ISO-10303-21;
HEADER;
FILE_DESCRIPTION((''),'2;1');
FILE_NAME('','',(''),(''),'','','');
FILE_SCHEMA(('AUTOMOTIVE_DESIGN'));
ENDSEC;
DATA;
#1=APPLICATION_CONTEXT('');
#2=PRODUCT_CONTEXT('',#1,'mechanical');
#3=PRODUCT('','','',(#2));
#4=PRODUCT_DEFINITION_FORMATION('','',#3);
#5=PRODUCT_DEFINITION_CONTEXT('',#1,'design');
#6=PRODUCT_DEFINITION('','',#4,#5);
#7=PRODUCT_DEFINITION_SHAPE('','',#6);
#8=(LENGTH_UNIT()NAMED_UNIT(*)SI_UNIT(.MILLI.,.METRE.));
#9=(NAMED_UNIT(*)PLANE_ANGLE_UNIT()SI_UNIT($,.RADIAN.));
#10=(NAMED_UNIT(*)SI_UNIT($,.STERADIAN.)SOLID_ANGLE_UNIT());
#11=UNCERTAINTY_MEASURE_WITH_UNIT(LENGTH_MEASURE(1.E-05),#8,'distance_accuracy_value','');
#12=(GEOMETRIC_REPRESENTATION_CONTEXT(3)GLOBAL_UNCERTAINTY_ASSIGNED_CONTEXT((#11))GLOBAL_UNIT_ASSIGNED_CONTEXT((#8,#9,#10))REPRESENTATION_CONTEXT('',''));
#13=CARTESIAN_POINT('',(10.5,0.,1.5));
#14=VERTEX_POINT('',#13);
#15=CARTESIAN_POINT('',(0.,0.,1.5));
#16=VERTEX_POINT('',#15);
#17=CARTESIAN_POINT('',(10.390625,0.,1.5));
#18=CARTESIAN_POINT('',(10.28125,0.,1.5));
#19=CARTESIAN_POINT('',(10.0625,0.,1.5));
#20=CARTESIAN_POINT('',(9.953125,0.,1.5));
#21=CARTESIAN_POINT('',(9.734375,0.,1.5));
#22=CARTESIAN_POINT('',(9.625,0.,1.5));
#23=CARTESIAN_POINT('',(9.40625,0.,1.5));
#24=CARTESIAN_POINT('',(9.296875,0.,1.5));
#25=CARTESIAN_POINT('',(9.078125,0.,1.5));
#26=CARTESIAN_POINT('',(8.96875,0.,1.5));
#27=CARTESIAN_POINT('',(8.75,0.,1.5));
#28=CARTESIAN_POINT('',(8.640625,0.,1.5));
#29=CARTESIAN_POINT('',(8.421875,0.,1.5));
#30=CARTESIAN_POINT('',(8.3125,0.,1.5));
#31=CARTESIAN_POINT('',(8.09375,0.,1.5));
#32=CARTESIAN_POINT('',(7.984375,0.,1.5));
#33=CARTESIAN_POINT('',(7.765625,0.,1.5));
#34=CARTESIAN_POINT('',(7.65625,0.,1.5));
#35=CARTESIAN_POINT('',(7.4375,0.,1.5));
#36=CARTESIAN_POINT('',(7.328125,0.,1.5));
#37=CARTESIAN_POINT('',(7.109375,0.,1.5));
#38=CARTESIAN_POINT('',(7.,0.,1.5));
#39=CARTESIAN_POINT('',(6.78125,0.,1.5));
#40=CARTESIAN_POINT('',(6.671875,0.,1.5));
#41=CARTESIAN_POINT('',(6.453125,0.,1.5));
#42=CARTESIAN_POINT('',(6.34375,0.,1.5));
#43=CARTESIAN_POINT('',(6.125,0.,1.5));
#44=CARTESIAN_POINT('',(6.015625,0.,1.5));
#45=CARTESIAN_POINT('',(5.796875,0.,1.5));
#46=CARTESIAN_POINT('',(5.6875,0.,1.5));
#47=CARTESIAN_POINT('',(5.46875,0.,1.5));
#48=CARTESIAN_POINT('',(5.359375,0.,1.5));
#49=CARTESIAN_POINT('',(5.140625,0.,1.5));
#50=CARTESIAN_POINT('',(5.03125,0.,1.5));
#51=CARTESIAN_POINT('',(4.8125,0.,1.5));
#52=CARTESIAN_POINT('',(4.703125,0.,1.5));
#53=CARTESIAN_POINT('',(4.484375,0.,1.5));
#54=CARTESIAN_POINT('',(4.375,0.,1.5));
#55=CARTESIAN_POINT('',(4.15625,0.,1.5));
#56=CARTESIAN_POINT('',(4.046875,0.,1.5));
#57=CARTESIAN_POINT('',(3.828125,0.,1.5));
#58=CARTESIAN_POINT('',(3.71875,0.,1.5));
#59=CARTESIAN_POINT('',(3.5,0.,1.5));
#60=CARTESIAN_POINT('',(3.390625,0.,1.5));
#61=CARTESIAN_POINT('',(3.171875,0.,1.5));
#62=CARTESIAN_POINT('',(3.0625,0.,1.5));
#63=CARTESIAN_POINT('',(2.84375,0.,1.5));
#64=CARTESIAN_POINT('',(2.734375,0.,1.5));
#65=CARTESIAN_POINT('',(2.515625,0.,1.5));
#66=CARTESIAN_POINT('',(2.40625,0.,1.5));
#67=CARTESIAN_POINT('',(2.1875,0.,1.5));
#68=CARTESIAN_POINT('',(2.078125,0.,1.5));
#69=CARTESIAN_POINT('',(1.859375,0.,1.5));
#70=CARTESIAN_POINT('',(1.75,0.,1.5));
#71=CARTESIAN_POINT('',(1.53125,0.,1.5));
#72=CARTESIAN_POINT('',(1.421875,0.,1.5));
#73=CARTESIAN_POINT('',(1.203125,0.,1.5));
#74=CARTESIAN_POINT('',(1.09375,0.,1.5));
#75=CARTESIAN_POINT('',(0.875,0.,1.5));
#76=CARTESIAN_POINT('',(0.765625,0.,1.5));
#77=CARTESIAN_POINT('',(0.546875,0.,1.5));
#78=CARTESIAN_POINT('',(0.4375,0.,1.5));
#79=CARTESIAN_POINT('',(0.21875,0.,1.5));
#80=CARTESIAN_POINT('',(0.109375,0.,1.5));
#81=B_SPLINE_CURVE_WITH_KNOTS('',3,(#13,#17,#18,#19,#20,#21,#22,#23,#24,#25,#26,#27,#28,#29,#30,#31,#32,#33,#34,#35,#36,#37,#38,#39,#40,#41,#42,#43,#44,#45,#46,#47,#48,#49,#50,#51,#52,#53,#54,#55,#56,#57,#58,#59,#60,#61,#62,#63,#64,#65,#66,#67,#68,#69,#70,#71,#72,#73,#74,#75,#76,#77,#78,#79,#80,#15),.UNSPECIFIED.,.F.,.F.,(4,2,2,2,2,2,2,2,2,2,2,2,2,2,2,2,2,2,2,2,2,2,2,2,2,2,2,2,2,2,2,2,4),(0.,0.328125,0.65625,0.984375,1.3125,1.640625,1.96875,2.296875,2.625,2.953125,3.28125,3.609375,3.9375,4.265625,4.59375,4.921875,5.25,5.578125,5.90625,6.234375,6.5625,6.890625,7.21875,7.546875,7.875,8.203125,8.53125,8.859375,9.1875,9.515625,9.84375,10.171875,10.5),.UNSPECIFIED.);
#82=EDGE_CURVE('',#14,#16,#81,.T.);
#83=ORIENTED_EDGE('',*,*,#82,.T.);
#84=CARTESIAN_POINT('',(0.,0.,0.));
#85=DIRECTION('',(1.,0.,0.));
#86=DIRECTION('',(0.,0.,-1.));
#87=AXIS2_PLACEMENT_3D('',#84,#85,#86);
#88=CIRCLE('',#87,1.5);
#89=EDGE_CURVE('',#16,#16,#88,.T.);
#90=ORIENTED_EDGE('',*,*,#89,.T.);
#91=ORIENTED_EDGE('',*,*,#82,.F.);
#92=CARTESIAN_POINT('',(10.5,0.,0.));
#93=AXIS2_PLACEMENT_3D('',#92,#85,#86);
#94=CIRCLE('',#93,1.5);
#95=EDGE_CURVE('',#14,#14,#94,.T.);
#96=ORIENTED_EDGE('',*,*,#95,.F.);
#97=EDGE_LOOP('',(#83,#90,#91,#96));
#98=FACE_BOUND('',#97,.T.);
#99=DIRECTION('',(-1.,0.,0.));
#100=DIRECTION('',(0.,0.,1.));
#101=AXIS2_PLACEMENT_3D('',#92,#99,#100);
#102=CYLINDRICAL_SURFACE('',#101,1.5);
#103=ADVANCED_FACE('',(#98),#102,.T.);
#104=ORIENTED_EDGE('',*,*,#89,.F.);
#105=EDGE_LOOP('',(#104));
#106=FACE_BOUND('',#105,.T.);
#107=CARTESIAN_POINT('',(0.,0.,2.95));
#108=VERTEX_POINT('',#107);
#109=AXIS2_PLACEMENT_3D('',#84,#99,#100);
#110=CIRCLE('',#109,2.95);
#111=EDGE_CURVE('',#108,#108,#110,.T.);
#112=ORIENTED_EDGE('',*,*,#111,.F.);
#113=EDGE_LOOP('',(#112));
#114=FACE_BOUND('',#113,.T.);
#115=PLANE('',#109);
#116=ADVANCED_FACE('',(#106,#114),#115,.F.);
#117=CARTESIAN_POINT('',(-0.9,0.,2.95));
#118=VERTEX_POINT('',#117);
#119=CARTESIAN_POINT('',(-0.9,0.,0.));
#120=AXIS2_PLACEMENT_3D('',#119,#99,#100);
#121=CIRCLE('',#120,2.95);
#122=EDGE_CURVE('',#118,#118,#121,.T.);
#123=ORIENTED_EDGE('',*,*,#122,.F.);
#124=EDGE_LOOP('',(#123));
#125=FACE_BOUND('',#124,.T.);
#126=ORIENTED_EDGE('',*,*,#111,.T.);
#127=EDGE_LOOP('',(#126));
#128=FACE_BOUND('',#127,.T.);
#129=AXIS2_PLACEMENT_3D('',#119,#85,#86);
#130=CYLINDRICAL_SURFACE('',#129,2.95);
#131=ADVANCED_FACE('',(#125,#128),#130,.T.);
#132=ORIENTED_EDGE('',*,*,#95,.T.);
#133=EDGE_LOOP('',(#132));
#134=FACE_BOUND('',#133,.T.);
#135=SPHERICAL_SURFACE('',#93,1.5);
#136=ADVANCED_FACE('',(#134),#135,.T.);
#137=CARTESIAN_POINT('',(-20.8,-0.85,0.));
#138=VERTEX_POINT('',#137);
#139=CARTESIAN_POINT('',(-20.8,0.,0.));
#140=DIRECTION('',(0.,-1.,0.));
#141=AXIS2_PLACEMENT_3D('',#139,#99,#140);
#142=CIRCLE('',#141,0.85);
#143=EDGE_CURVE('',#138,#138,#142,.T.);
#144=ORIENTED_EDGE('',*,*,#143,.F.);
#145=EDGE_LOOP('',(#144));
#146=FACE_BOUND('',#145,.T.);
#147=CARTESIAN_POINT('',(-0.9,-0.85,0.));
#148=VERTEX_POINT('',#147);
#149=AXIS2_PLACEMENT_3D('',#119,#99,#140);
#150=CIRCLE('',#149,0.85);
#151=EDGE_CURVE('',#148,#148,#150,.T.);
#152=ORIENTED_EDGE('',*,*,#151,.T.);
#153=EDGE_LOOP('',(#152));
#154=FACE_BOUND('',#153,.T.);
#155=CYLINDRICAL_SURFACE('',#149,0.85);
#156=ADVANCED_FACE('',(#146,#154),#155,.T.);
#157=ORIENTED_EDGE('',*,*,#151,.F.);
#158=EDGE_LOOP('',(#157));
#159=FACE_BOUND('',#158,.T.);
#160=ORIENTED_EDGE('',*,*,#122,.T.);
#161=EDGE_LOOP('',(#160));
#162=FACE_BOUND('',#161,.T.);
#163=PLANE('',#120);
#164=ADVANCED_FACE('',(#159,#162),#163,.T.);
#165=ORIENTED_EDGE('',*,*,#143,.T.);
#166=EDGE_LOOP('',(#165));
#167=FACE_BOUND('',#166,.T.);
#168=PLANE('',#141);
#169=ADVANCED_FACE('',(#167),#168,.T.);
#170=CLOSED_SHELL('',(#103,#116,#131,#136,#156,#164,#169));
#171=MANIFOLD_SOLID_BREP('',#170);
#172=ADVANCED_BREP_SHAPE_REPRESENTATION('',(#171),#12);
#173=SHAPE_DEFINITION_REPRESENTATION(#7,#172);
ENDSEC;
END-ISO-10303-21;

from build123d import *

# Parameters (mm, degrees)
SKETCH1_R           = 1.5
BOSS_EXTRUDE1_DEPTH = 10.5
SKETCH2_R           = 2.95
BOSS_EXTRUDE2_DEPTH = 0.9
SWEEP1_PROFILE_R    = 0.85


with BuildPart() as part:
    # Sketch1 → Boss-Extrude1 (new body)
    with BuildSketch(Plane(origin=(0, 0, 0), x_dir=(0, 0, -1), z_dir=(1, 0, 0))):
        with Locations(Location((0, 0, 0), (0, 0, 180))):
            Circle(SKETCH1_R)
    extrude(amount=BOSS_EXTRUDE1_DEPTH)

    # Sketch8 → Revolve1 (revolve)
    with BuildSketch(Plane(origin=(10.5, 0, 0), x_dir=(0, 0, -1), z_dir=(1, 0, 0))):
        with BuildLine():
            Line((1.5, 0), (-1.5, 0))
            ThreePointArc((-1.5, 0), (0, 1.5), (1.5, 0))
        make_face()
    revolve(axis=Axis((10.5, 0, -1.5), (0, 0, 1)))

    # Sketch2 → Boss-Extrude2 (add)
    with BuildSketch(Plane.ZY):
        Circle(SKETCH2_R)
    extrude(amount=BOSS_EXTRUDE2_DEPTH)

    # Sweep1: sweep along a path in Sketch3
    with BuildLine(Plane.XY) as sweep1_path:
        Line((-0.9, 0), (-20.8, 0))
    # Sweep1 profile (on start of the path) → Sweep1 (sweep)
    with BuildSketch(Plane(origin=(-0.9, 0, 0), x_dir=(0, -1, 0), z_dir=(-1, 0, 0))):
        Circle(SWEEP1_PROFILE_R)
    sweep(path=sweep1_path.line)


solid = part.part
